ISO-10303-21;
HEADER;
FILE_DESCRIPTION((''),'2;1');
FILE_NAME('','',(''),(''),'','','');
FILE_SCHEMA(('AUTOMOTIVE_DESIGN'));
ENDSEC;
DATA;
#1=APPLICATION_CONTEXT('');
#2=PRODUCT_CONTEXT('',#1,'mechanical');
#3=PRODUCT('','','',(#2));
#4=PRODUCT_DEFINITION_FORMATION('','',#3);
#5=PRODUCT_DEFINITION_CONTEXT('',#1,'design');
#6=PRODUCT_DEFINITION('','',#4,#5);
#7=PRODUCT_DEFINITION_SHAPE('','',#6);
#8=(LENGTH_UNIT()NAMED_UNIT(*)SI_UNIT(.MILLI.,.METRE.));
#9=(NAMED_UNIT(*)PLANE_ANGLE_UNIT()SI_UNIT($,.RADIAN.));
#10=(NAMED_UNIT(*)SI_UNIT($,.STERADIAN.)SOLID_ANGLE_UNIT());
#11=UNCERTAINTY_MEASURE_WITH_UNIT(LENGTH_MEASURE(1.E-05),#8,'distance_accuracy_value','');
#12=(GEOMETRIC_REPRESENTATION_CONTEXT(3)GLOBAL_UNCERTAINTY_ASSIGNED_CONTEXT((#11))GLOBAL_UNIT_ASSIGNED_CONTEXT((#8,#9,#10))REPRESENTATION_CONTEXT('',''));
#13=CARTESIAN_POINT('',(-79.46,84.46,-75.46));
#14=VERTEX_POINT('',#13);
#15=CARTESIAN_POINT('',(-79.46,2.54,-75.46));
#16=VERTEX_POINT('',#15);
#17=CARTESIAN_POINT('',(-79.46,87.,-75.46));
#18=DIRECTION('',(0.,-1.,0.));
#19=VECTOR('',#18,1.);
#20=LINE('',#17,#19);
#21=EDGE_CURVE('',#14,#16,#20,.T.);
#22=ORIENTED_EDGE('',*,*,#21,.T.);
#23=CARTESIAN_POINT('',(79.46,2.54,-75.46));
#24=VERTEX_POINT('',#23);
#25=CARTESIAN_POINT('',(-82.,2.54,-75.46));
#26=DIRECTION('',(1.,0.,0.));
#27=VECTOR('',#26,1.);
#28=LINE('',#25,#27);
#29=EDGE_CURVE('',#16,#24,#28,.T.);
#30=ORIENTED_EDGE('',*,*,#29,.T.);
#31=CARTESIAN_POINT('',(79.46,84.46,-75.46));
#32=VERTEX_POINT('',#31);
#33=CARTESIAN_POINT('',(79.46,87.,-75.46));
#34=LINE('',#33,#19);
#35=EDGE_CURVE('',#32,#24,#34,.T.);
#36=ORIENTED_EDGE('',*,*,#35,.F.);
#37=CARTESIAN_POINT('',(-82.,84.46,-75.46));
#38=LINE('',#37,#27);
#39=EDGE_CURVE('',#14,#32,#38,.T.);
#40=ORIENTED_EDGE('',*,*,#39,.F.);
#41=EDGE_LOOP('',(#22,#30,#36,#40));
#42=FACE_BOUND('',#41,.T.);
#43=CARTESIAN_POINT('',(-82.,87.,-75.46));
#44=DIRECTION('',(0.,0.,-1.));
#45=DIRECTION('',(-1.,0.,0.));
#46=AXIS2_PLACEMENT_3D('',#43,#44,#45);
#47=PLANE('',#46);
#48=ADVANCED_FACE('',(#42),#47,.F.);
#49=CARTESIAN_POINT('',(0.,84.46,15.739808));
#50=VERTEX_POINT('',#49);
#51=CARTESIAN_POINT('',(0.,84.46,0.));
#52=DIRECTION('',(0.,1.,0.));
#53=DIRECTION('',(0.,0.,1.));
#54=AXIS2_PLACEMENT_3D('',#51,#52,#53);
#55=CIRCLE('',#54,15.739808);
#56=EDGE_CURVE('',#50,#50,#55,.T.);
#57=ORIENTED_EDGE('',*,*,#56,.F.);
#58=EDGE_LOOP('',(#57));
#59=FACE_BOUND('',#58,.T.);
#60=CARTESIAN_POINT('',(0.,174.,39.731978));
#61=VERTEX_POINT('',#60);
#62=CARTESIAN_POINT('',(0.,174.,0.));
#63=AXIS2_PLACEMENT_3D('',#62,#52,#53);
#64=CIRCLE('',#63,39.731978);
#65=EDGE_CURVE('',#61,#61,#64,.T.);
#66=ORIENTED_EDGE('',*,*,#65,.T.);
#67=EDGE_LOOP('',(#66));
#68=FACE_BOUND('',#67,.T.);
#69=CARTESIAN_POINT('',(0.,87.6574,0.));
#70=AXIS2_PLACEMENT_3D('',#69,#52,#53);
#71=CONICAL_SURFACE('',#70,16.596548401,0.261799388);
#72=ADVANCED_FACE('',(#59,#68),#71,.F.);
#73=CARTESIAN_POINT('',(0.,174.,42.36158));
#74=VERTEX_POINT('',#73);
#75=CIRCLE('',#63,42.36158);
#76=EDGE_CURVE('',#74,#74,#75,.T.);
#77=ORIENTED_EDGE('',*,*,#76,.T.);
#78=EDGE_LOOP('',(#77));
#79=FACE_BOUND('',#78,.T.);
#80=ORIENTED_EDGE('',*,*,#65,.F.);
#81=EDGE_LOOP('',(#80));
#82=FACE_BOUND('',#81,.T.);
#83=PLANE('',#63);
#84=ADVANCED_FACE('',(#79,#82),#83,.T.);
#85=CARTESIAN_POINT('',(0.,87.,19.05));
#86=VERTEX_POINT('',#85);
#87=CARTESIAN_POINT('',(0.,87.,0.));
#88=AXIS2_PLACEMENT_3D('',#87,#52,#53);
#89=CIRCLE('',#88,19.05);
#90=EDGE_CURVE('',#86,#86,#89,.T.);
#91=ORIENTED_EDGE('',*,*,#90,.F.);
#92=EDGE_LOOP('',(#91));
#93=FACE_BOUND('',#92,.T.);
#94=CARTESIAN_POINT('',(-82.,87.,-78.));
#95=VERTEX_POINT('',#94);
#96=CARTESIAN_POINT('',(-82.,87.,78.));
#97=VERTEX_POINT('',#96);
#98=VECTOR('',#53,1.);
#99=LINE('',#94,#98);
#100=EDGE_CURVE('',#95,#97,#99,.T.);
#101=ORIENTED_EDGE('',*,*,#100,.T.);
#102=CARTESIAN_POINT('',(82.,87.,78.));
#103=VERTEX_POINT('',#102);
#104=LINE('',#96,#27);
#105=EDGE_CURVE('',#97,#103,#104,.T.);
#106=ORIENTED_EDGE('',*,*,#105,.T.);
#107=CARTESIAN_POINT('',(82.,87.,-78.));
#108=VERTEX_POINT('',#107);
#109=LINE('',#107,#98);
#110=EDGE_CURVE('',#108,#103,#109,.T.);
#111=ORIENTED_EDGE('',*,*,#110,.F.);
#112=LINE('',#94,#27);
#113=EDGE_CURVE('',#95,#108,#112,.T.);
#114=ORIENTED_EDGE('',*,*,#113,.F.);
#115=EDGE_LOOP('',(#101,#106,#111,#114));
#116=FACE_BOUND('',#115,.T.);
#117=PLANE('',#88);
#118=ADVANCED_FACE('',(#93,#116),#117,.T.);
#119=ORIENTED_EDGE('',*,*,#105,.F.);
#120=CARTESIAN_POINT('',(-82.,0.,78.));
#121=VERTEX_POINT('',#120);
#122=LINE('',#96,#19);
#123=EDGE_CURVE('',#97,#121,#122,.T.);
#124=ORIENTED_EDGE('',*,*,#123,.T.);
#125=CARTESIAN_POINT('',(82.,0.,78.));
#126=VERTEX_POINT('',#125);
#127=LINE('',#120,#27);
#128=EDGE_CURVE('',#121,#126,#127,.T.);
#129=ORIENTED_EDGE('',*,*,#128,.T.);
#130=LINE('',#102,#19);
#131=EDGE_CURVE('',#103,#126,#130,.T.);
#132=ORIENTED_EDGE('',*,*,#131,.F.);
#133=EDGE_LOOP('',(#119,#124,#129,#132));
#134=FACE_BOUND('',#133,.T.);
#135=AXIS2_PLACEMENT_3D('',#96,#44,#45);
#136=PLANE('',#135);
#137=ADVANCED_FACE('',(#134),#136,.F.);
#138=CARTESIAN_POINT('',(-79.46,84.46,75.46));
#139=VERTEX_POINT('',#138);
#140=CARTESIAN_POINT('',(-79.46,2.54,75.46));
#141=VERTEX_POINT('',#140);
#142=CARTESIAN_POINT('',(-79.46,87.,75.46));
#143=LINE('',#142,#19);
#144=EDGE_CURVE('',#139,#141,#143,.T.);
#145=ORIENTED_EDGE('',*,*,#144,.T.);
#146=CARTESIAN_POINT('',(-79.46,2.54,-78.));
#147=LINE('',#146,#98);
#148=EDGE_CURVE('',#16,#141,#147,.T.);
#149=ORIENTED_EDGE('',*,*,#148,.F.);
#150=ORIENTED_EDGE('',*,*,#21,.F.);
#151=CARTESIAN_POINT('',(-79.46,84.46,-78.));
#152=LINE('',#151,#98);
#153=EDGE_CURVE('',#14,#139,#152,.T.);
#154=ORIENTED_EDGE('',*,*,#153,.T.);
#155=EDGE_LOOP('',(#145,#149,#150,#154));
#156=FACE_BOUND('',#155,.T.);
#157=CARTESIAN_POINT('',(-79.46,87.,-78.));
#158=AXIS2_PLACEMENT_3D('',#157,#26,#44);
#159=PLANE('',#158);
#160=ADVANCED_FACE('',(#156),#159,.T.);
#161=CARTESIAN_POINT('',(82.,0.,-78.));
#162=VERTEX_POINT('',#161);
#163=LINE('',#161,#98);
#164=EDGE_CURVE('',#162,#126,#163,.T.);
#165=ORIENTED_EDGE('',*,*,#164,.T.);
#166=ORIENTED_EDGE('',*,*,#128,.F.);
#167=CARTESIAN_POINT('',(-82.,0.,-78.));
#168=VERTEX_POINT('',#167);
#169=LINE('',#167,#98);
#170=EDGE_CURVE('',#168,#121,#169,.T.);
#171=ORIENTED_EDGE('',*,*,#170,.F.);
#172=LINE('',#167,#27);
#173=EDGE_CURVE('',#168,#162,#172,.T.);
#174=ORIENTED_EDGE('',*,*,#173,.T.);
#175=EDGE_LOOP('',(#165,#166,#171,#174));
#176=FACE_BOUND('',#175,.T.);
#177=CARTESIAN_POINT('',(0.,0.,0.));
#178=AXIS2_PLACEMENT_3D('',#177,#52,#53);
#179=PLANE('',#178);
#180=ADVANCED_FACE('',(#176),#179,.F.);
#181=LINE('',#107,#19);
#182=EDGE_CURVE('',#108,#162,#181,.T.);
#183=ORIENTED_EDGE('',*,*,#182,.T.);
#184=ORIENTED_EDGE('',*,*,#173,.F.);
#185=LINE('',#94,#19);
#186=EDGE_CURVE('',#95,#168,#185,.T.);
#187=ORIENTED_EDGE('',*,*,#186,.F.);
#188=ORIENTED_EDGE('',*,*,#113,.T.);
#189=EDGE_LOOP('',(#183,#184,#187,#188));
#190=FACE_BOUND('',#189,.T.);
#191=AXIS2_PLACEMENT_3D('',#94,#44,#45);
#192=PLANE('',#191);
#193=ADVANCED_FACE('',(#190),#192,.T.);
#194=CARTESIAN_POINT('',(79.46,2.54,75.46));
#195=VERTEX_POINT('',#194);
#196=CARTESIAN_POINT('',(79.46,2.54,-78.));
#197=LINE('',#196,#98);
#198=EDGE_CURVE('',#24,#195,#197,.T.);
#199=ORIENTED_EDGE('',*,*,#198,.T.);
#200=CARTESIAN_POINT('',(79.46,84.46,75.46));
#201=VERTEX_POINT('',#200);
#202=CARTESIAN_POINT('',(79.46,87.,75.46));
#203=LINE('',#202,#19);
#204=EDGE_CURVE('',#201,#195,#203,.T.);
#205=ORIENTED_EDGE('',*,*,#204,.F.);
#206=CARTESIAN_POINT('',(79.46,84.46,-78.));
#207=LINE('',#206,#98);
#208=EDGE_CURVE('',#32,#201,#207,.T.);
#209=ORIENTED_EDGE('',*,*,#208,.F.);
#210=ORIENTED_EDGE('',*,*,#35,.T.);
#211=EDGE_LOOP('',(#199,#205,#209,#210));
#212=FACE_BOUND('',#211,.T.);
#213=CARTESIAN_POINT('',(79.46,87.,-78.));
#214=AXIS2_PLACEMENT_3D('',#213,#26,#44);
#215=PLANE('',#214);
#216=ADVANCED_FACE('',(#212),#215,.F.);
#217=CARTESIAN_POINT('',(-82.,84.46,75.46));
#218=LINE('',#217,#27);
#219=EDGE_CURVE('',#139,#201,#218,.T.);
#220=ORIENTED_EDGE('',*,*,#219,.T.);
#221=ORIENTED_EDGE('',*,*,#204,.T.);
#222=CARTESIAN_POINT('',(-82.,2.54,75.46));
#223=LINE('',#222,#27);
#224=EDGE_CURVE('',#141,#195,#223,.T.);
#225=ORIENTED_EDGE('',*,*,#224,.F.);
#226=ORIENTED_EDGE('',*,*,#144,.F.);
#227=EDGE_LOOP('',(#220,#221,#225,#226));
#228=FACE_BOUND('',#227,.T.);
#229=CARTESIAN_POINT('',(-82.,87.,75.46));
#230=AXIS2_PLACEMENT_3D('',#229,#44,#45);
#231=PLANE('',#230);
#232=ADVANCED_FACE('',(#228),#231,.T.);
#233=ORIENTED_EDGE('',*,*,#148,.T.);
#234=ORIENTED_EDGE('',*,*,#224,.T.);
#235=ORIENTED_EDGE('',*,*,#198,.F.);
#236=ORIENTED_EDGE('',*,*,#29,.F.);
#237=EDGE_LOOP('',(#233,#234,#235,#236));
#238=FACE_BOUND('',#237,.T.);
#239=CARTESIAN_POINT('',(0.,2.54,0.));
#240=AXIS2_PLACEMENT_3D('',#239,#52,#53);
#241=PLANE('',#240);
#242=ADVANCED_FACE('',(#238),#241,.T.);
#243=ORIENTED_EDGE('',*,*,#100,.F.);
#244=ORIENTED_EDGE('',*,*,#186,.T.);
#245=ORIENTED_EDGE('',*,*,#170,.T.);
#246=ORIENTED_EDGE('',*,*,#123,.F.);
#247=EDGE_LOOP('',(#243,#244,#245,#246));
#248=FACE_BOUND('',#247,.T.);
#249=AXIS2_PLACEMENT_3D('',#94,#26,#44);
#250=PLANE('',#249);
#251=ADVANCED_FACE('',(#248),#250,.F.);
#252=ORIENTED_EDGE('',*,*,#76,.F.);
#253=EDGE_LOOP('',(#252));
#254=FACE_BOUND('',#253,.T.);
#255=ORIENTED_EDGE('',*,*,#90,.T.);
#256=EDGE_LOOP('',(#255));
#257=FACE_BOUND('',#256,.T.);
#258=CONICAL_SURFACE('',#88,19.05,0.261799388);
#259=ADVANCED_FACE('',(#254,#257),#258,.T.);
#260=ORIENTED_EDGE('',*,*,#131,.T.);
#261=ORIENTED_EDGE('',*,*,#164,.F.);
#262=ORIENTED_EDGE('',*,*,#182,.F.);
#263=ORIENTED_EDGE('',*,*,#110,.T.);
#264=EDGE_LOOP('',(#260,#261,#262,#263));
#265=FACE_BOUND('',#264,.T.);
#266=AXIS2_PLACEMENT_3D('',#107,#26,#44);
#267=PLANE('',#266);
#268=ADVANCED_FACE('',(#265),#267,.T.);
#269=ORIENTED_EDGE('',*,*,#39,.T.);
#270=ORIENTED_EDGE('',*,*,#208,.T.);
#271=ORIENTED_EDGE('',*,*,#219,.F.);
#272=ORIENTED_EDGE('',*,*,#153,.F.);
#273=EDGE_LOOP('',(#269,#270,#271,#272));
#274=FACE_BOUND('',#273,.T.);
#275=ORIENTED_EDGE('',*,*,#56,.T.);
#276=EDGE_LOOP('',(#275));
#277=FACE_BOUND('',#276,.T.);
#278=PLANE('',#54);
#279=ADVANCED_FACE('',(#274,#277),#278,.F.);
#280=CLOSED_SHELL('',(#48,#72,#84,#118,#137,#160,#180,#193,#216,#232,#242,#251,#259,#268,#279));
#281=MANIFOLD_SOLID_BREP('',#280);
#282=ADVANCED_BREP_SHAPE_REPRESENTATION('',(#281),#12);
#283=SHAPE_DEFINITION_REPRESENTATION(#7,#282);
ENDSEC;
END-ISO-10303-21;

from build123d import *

# Parameters (mm, degrees)
SKETCH1_W           = 164
SKETCH1_H           = 156
BOSS_EXTRUDE2_DEPTH = 87
SKETCH2_R           = 19.05
BOSS_EXTRUDE3_DEPTH = 87
BOSS_EXTRUDE3_DRAFT = -15
SHELL1_T            = -2.54


with BuildPart() as part:
    # Sketch1 → Boss-Extrude2 (new body)
    with BuildSketch(Plane(origin=(0, 0, 0), x_dir=(1, 0, 0), z_dir=(0, 1, 0))):
        Rectangle(SKETCH1_W, SKETCH1_H)
    extrude(amount=BOSS_EXTRUDE2_DEPTH)


with BuildPart() as boss_extrude3_tool:
    # Sketch2 → Boss-Extrude3 (with draft: the straight prism first)
    with BuildSketch(Plane(origin=(0, 87, 0), x_dir=(1, 0, 0), z_dir=(0, 1, 0))):
        Circle(SKETCH2_R)
    extrude(amount=BOSS_EXTRUDE3_DEPTH)
    # Boss-Extrude3: the draft: its side faces are tilted about the plane it starts from
    boss_extrude3_sides = [boss_extrude3_tool.faces().sort_by_distance(p)[0] for p in [
        (-19.05, 130.5, 0),
    ]]
    draft(boss_extrude3_sides, Plane(origin=(0, 87, 0), x_dir=(1, 0, 0), z_dir=(0, 1, 0)), BOSS_EXTRUDE3_DRAFT)


with BuildPart() as part_1:
    add(part.part)

    # Boss-Extrude3: add boss_extrude3_tool
    add(boss_extrude3_tool.part)

    # Shell1
    shell1_openings = [part_1.faces().sort_by_distance(p)[0] for p in [
        (0, 174, 0),
    ]]
    offset(amount=SHELL1_T, openings=shell1_openings, kind=Kind.INTERSECTION)


solid = part_1.part
